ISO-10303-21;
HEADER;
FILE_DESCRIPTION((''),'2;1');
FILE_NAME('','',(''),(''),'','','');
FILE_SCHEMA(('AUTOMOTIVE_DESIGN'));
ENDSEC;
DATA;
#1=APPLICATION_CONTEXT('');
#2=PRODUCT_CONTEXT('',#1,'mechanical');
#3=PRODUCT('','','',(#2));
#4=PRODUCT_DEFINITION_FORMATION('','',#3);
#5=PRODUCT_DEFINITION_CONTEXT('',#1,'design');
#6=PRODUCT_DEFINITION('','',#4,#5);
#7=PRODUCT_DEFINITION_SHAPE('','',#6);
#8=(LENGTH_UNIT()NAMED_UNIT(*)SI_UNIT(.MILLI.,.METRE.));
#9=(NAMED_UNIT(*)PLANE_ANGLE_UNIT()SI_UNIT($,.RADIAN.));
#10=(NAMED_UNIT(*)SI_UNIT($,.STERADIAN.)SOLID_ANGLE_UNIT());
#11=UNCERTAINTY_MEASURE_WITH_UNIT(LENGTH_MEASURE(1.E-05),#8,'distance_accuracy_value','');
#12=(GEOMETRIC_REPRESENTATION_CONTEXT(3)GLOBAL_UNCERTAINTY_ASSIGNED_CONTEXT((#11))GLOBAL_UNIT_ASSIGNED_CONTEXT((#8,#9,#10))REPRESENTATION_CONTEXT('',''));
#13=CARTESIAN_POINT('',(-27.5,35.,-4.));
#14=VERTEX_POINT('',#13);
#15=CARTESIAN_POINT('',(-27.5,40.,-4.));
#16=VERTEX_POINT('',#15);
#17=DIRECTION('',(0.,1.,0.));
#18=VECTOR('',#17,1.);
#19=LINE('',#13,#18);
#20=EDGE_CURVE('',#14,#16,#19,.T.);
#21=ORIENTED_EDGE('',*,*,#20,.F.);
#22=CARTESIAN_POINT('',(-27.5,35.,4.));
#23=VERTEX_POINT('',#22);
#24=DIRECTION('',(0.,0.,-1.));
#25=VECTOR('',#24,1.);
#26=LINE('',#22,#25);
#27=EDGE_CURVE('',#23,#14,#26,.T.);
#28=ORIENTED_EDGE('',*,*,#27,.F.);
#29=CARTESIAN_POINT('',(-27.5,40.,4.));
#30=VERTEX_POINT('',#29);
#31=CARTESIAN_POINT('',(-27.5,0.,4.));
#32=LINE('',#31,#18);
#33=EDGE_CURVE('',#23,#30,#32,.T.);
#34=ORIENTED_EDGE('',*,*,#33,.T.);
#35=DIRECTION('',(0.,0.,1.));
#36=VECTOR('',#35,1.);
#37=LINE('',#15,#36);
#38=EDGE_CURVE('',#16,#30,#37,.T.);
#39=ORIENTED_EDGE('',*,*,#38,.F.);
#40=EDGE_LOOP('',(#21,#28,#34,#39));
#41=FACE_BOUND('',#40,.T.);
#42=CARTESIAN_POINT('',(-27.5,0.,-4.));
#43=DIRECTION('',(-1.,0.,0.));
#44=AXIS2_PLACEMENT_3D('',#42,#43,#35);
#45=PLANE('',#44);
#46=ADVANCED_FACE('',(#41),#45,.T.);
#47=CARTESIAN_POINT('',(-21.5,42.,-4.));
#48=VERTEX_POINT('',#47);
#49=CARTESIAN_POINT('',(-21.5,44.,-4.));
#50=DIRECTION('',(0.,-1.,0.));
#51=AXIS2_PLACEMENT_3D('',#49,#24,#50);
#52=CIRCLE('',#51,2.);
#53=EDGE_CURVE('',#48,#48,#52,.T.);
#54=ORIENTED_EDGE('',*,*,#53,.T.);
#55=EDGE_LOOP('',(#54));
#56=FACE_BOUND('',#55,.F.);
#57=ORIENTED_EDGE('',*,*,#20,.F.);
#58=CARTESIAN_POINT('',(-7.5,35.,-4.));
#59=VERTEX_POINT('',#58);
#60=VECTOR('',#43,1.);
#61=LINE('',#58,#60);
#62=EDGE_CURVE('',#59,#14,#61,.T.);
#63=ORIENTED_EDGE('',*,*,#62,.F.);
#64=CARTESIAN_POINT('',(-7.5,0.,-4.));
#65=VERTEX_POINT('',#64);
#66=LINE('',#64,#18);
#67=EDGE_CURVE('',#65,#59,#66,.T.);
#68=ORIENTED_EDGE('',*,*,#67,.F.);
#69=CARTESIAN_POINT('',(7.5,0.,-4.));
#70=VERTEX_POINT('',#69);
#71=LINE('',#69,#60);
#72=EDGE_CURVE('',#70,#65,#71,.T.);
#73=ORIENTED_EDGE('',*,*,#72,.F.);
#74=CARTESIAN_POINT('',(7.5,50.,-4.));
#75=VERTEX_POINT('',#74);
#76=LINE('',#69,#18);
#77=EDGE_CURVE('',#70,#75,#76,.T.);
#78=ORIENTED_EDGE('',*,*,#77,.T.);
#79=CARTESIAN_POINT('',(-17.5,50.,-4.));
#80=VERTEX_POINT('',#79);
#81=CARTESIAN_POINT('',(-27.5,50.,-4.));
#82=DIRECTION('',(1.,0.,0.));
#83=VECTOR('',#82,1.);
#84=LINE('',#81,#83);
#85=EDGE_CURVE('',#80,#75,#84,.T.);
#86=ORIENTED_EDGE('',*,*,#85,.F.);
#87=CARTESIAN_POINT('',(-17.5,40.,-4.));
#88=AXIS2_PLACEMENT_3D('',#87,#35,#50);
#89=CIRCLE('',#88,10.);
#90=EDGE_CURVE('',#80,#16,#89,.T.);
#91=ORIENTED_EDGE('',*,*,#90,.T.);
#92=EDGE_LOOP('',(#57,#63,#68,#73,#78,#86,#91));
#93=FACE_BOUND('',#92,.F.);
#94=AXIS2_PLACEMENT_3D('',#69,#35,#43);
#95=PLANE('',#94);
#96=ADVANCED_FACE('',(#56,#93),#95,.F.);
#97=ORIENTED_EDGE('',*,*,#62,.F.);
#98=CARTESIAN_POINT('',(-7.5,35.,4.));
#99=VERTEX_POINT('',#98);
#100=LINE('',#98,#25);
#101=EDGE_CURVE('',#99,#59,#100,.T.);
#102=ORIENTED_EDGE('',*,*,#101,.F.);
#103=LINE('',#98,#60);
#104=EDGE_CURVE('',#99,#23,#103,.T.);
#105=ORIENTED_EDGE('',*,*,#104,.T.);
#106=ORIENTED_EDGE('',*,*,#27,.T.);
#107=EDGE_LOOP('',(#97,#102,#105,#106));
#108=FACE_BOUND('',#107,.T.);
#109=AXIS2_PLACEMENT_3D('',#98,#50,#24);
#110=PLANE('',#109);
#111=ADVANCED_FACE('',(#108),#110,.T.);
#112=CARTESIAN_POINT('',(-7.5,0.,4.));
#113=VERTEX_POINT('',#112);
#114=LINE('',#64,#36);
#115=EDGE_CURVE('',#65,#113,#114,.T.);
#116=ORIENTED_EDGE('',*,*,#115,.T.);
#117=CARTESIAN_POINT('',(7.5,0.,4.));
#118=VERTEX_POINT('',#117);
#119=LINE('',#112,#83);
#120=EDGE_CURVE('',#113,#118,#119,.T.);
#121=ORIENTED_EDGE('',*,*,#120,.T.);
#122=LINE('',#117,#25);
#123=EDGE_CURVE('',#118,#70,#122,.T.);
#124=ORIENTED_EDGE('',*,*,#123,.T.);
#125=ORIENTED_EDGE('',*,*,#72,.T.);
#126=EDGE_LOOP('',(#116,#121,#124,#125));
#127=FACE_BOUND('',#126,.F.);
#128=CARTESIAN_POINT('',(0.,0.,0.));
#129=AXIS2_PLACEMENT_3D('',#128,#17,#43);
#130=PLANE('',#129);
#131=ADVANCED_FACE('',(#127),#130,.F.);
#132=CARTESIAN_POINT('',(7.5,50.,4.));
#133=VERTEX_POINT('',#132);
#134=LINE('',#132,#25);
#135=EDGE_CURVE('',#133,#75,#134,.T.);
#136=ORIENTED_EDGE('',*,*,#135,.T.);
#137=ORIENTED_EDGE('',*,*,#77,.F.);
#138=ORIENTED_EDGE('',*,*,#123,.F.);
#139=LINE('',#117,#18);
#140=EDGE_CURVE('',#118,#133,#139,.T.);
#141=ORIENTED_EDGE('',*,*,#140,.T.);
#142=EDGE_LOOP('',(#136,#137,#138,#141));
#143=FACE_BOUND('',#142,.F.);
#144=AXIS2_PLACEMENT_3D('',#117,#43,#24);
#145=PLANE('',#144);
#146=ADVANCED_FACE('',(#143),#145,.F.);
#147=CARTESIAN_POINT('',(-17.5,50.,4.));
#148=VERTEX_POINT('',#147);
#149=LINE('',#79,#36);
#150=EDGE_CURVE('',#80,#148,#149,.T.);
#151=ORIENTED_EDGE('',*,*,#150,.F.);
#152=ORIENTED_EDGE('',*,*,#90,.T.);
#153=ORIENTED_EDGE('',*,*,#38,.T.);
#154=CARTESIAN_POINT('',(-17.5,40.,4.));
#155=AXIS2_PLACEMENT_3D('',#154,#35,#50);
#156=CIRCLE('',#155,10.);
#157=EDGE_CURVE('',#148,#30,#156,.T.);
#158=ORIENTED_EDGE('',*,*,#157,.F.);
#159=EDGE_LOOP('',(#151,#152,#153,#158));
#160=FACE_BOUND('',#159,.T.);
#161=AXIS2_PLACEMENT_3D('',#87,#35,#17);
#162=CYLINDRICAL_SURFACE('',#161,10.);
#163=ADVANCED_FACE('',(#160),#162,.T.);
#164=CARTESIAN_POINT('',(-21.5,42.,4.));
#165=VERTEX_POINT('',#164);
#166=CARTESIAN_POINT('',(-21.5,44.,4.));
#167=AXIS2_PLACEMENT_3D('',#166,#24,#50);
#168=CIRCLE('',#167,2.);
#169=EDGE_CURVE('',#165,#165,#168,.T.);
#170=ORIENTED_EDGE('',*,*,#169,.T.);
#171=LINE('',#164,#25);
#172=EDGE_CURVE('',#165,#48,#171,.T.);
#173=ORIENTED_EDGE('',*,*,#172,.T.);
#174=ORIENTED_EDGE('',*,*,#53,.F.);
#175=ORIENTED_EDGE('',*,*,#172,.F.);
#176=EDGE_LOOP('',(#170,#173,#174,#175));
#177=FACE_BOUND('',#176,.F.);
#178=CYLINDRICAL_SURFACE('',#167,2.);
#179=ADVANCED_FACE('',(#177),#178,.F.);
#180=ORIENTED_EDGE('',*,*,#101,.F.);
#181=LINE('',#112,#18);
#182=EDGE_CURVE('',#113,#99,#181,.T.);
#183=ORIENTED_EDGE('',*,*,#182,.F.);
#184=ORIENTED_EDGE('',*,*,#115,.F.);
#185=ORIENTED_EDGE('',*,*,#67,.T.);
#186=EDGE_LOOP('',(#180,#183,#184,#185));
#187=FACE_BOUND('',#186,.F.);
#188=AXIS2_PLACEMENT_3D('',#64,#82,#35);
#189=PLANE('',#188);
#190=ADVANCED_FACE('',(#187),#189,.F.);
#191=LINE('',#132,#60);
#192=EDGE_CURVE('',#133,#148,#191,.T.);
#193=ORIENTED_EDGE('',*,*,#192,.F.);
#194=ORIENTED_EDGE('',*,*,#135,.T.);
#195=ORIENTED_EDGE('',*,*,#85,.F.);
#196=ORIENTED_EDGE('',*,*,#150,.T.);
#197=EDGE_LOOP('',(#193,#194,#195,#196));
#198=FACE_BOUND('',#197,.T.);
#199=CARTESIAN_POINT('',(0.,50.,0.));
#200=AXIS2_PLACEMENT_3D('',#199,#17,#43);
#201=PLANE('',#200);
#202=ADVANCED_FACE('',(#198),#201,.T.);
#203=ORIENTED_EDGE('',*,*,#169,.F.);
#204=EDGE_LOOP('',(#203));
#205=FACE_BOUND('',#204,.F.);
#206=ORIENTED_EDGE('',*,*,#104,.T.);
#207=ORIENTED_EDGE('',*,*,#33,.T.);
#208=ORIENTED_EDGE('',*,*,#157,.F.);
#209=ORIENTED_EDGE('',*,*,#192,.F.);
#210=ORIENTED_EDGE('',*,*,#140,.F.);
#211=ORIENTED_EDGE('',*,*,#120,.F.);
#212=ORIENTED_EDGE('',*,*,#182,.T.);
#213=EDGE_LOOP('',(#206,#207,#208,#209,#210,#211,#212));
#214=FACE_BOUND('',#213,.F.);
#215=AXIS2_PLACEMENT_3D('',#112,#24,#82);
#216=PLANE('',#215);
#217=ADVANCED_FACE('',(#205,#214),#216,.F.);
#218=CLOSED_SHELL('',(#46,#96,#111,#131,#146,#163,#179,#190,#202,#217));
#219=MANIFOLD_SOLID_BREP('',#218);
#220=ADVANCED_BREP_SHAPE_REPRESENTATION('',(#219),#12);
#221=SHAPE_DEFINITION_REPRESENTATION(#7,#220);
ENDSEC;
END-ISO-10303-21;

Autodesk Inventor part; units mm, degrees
ref_plane "YZ Plane" through (0, 0, 0) normal (1, 0, 0) x (0, 1, 0)
ref_plane "XZ Plane" through (0, 0, 0) normal (0, 1, 0) x (-1, 0, 0)
ref_plane "XY Plane" through (0, 0, 0) normal (0, 0, 1) x (1, 0, 0)
sketch "Sketch2" plane through (0, 0, 0) normal (0, 1, 0) x (-1, 0, 0)
  line L0 (-7.5, -4) -> (7.5, -4)
  line L1 (7.5, -4) -> (7.5, 4)
  line L2 (7.5, 4) -> (-7.5, 4)
  line L3 (-7.5, 4) -> (-7.5, -4)
  line L4 (-7.5, -4) -> (7.5, 4) construction
  line L5 (7.5, -4) -> (-7.5, 4) construction
  point P0 (0, 0)
  dimension "d5" = 15
  dimension "d6" = 8
extrude "Extrusion2" add sketch "Sketch2" along normal blind 50
sketch "Sketch3" plane through (-7.5, 0, -4) normal (-1, 0, 0) x (0, 0, 1)
  line L0 (8, 0) -> (8, 50) projected
  line L1 (0, 50) -> (8, 50)
  line L2 (8, 50) -> (8, 35)
  line L3 (8, 35) -> (0, 35)
  line L4 (0, 35) -> (0, 50)
  point P0 (4, 0)
  dimension "d9" = 15
extrude "Extrusion3" add sketch "Sketch3" along normal blind 20
fillet "Fillet1" radius 10 1 edges at (-27.5, 50, 0)
sketch "Sketch5" plane through (-7.5, 0, 4) normal (0, 0, 1) x (1, 0, 0)
  line L0 (-20, 35) -> (-20, 40) projected
  line L1 (15, 50) -> (-10, 50) projected
  point P0 (7.5, 0)
  point P1 (-14, 44)
  dimension "d13" = 6
  dimension "d14" = 6
hole "Hole1" at (-21.5, 44, 4) direction (0, 0, -1) diameter 4 end through all
properties part number "lever_support" material "PC/ABS Plastic"
